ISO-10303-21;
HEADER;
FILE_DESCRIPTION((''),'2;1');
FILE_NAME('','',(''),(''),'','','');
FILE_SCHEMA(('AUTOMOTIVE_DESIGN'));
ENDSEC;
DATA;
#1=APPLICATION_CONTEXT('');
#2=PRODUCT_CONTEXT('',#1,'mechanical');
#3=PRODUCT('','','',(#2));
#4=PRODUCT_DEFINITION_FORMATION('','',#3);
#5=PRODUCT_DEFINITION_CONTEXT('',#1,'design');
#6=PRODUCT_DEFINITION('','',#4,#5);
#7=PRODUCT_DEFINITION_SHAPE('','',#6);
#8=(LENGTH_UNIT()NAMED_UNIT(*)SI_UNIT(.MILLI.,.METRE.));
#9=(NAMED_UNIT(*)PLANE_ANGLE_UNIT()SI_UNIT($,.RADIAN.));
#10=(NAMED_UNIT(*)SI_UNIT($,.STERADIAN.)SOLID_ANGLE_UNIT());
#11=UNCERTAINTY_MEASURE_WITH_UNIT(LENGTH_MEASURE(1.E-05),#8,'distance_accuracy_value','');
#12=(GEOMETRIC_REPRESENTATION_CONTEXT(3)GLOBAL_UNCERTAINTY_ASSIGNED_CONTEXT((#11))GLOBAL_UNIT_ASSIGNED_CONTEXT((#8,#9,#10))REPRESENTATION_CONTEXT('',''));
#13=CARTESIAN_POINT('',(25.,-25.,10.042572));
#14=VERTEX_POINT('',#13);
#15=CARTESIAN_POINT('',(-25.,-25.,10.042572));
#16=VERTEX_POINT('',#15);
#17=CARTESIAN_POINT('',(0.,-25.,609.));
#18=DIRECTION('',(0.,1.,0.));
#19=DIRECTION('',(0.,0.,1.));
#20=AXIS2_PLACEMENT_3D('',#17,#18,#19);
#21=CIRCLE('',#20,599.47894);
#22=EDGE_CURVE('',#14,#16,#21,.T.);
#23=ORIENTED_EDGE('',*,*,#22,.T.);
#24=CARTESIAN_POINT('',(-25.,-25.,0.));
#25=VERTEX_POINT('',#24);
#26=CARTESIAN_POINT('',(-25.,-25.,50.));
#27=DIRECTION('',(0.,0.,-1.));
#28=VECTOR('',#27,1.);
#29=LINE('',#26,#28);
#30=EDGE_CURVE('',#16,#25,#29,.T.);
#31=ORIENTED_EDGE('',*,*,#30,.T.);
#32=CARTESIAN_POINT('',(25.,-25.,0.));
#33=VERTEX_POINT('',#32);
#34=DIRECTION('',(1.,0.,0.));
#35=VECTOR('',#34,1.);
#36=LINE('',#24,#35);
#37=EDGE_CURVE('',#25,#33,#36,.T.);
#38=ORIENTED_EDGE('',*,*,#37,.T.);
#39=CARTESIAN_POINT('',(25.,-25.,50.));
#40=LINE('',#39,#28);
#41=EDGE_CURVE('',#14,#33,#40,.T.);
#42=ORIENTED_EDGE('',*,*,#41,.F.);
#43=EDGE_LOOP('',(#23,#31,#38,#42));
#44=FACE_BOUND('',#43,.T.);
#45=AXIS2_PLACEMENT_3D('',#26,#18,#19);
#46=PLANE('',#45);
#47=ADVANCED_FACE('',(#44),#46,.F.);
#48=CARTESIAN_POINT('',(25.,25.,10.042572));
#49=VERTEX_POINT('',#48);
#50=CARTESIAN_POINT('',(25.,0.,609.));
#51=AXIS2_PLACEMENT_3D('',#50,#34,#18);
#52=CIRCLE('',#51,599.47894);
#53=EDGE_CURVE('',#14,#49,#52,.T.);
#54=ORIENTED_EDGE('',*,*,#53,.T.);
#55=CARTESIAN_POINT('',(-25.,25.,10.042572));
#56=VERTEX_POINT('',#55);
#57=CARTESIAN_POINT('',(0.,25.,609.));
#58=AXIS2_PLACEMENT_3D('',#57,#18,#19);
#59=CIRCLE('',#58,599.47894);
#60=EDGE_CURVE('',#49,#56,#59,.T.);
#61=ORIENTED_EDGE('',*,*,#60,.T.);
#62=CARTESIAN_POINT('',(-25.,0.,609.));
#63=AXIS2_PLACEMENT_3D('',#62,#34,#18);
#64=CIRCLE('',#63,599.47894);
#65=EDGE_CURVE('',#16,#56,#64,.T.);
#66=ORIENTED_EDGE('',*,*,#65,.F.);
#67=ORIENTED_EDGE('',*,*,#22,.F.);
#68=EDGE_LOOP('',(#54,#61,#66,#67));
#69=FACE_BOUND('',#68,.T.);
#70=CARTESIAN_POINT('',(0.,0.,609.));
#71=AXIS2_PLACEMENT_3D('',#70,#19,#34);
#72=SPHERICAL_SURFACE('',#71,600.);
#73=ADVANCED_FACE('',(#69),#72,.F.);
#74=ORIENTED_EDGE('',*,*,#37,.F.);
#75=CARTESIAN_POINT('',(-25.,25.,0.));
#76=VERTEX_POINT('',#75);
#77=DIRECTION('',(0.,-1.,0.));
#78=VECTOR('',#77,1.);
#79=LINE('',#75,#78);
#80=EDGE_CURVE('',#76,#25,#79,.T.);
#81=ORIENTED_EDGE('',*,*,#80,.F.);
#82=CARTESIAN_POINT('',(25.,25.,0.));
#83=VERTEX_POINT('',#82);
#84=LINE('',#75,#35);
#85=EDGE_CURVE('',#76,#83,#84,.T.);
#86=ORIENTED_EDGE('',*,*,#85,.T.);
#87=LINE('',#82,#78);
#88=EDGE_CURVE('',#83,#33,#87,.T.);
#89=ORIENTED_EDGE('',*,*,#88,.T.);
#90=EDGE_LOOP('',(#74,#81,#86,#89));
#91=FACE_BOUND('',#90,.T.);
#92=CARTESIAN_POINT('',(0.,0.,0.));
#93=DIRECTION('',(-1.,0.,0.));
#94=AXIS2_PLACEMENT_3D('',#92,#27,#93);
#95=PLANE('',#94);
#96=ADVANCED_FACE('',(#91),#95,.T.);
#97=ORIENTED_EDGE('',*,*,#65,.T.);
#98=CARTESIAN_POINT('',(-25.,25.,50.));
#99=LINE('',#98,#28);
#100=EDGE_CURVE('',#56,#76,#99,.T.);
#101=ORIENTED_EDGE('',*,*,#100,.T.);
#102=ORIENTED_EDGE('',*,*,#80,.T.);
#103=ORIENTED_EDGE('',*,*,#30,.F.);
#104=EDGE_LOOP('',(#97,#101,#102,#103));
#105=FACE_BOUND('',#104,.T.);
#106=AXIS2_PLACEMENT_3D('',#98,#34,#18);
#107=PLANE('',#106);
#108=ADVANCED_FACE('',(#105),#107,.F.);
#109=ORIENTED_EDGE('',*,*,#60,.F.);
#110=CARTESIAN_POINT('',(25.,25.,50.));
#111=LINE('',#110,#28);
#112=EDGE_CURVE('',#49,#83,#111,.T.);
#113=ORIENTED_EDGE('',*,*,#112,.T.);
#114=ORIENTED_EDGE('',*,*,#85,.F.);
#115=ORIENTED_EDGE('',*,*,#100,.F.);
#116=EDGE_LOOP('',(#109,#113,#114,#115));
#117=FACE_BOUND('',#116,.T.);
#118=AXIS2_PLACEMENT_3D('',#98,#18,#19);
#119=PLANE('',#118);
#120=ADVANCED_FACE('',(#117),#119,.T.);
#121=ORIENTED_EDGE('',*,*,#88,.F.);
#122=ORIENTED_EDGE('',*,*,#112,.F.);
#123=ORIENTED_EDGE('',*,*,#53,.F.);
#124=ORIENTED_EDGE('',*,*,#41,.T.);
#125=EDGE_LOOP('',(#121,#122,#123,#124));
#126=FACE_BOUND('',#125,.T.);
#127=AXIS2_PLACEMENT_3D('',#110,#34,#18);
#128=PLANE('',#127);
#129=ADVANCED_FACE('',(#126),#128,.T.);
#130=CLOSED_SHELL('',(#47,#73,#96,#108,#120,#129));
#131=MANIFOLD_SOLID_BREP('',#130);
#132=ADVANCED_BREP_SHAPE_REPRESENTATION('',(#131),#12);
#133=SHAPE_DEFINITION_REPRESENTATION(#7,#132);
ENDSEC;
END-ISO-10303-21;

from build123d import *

# Parameters (mm, degrees)
SKETCH_1_W      = 50
SKETCH_1_H      = 50
EXTRUDE_1_DEPTH = 50


with BuildPart() as part:
    # 草图1 → 凸台-拉伸1 (new body)
    with BuildSketch(Plane.XY):
        Rectangle(SKETCH_1_W, SKETCH_1_H)
    extrude(amount=EXTRUDE_1_DEPTH)

    # 草图2 → 切除-旋转2 (revolve, cut)
    with BuildSketch(Plane(origin=(0, 0, 0), x_dir=(1, 0, 0), z_dir=(0, 1, 0))):
        with BuildLine():
            Line((584.907277088, -475.27088122), (0, -475.27088122))
            Line((0, -475.27088122), (0, -9))
            ThreePointArc((0, -9), (374.007037856, -139.83186848), (584.907277088, -475.27088122))
        make_face()
    revolve(axis=Axis((0, 0, 475.27088122), (0, 0, -1)), mode=Mode.SUBTRACT)


solid = part.part
